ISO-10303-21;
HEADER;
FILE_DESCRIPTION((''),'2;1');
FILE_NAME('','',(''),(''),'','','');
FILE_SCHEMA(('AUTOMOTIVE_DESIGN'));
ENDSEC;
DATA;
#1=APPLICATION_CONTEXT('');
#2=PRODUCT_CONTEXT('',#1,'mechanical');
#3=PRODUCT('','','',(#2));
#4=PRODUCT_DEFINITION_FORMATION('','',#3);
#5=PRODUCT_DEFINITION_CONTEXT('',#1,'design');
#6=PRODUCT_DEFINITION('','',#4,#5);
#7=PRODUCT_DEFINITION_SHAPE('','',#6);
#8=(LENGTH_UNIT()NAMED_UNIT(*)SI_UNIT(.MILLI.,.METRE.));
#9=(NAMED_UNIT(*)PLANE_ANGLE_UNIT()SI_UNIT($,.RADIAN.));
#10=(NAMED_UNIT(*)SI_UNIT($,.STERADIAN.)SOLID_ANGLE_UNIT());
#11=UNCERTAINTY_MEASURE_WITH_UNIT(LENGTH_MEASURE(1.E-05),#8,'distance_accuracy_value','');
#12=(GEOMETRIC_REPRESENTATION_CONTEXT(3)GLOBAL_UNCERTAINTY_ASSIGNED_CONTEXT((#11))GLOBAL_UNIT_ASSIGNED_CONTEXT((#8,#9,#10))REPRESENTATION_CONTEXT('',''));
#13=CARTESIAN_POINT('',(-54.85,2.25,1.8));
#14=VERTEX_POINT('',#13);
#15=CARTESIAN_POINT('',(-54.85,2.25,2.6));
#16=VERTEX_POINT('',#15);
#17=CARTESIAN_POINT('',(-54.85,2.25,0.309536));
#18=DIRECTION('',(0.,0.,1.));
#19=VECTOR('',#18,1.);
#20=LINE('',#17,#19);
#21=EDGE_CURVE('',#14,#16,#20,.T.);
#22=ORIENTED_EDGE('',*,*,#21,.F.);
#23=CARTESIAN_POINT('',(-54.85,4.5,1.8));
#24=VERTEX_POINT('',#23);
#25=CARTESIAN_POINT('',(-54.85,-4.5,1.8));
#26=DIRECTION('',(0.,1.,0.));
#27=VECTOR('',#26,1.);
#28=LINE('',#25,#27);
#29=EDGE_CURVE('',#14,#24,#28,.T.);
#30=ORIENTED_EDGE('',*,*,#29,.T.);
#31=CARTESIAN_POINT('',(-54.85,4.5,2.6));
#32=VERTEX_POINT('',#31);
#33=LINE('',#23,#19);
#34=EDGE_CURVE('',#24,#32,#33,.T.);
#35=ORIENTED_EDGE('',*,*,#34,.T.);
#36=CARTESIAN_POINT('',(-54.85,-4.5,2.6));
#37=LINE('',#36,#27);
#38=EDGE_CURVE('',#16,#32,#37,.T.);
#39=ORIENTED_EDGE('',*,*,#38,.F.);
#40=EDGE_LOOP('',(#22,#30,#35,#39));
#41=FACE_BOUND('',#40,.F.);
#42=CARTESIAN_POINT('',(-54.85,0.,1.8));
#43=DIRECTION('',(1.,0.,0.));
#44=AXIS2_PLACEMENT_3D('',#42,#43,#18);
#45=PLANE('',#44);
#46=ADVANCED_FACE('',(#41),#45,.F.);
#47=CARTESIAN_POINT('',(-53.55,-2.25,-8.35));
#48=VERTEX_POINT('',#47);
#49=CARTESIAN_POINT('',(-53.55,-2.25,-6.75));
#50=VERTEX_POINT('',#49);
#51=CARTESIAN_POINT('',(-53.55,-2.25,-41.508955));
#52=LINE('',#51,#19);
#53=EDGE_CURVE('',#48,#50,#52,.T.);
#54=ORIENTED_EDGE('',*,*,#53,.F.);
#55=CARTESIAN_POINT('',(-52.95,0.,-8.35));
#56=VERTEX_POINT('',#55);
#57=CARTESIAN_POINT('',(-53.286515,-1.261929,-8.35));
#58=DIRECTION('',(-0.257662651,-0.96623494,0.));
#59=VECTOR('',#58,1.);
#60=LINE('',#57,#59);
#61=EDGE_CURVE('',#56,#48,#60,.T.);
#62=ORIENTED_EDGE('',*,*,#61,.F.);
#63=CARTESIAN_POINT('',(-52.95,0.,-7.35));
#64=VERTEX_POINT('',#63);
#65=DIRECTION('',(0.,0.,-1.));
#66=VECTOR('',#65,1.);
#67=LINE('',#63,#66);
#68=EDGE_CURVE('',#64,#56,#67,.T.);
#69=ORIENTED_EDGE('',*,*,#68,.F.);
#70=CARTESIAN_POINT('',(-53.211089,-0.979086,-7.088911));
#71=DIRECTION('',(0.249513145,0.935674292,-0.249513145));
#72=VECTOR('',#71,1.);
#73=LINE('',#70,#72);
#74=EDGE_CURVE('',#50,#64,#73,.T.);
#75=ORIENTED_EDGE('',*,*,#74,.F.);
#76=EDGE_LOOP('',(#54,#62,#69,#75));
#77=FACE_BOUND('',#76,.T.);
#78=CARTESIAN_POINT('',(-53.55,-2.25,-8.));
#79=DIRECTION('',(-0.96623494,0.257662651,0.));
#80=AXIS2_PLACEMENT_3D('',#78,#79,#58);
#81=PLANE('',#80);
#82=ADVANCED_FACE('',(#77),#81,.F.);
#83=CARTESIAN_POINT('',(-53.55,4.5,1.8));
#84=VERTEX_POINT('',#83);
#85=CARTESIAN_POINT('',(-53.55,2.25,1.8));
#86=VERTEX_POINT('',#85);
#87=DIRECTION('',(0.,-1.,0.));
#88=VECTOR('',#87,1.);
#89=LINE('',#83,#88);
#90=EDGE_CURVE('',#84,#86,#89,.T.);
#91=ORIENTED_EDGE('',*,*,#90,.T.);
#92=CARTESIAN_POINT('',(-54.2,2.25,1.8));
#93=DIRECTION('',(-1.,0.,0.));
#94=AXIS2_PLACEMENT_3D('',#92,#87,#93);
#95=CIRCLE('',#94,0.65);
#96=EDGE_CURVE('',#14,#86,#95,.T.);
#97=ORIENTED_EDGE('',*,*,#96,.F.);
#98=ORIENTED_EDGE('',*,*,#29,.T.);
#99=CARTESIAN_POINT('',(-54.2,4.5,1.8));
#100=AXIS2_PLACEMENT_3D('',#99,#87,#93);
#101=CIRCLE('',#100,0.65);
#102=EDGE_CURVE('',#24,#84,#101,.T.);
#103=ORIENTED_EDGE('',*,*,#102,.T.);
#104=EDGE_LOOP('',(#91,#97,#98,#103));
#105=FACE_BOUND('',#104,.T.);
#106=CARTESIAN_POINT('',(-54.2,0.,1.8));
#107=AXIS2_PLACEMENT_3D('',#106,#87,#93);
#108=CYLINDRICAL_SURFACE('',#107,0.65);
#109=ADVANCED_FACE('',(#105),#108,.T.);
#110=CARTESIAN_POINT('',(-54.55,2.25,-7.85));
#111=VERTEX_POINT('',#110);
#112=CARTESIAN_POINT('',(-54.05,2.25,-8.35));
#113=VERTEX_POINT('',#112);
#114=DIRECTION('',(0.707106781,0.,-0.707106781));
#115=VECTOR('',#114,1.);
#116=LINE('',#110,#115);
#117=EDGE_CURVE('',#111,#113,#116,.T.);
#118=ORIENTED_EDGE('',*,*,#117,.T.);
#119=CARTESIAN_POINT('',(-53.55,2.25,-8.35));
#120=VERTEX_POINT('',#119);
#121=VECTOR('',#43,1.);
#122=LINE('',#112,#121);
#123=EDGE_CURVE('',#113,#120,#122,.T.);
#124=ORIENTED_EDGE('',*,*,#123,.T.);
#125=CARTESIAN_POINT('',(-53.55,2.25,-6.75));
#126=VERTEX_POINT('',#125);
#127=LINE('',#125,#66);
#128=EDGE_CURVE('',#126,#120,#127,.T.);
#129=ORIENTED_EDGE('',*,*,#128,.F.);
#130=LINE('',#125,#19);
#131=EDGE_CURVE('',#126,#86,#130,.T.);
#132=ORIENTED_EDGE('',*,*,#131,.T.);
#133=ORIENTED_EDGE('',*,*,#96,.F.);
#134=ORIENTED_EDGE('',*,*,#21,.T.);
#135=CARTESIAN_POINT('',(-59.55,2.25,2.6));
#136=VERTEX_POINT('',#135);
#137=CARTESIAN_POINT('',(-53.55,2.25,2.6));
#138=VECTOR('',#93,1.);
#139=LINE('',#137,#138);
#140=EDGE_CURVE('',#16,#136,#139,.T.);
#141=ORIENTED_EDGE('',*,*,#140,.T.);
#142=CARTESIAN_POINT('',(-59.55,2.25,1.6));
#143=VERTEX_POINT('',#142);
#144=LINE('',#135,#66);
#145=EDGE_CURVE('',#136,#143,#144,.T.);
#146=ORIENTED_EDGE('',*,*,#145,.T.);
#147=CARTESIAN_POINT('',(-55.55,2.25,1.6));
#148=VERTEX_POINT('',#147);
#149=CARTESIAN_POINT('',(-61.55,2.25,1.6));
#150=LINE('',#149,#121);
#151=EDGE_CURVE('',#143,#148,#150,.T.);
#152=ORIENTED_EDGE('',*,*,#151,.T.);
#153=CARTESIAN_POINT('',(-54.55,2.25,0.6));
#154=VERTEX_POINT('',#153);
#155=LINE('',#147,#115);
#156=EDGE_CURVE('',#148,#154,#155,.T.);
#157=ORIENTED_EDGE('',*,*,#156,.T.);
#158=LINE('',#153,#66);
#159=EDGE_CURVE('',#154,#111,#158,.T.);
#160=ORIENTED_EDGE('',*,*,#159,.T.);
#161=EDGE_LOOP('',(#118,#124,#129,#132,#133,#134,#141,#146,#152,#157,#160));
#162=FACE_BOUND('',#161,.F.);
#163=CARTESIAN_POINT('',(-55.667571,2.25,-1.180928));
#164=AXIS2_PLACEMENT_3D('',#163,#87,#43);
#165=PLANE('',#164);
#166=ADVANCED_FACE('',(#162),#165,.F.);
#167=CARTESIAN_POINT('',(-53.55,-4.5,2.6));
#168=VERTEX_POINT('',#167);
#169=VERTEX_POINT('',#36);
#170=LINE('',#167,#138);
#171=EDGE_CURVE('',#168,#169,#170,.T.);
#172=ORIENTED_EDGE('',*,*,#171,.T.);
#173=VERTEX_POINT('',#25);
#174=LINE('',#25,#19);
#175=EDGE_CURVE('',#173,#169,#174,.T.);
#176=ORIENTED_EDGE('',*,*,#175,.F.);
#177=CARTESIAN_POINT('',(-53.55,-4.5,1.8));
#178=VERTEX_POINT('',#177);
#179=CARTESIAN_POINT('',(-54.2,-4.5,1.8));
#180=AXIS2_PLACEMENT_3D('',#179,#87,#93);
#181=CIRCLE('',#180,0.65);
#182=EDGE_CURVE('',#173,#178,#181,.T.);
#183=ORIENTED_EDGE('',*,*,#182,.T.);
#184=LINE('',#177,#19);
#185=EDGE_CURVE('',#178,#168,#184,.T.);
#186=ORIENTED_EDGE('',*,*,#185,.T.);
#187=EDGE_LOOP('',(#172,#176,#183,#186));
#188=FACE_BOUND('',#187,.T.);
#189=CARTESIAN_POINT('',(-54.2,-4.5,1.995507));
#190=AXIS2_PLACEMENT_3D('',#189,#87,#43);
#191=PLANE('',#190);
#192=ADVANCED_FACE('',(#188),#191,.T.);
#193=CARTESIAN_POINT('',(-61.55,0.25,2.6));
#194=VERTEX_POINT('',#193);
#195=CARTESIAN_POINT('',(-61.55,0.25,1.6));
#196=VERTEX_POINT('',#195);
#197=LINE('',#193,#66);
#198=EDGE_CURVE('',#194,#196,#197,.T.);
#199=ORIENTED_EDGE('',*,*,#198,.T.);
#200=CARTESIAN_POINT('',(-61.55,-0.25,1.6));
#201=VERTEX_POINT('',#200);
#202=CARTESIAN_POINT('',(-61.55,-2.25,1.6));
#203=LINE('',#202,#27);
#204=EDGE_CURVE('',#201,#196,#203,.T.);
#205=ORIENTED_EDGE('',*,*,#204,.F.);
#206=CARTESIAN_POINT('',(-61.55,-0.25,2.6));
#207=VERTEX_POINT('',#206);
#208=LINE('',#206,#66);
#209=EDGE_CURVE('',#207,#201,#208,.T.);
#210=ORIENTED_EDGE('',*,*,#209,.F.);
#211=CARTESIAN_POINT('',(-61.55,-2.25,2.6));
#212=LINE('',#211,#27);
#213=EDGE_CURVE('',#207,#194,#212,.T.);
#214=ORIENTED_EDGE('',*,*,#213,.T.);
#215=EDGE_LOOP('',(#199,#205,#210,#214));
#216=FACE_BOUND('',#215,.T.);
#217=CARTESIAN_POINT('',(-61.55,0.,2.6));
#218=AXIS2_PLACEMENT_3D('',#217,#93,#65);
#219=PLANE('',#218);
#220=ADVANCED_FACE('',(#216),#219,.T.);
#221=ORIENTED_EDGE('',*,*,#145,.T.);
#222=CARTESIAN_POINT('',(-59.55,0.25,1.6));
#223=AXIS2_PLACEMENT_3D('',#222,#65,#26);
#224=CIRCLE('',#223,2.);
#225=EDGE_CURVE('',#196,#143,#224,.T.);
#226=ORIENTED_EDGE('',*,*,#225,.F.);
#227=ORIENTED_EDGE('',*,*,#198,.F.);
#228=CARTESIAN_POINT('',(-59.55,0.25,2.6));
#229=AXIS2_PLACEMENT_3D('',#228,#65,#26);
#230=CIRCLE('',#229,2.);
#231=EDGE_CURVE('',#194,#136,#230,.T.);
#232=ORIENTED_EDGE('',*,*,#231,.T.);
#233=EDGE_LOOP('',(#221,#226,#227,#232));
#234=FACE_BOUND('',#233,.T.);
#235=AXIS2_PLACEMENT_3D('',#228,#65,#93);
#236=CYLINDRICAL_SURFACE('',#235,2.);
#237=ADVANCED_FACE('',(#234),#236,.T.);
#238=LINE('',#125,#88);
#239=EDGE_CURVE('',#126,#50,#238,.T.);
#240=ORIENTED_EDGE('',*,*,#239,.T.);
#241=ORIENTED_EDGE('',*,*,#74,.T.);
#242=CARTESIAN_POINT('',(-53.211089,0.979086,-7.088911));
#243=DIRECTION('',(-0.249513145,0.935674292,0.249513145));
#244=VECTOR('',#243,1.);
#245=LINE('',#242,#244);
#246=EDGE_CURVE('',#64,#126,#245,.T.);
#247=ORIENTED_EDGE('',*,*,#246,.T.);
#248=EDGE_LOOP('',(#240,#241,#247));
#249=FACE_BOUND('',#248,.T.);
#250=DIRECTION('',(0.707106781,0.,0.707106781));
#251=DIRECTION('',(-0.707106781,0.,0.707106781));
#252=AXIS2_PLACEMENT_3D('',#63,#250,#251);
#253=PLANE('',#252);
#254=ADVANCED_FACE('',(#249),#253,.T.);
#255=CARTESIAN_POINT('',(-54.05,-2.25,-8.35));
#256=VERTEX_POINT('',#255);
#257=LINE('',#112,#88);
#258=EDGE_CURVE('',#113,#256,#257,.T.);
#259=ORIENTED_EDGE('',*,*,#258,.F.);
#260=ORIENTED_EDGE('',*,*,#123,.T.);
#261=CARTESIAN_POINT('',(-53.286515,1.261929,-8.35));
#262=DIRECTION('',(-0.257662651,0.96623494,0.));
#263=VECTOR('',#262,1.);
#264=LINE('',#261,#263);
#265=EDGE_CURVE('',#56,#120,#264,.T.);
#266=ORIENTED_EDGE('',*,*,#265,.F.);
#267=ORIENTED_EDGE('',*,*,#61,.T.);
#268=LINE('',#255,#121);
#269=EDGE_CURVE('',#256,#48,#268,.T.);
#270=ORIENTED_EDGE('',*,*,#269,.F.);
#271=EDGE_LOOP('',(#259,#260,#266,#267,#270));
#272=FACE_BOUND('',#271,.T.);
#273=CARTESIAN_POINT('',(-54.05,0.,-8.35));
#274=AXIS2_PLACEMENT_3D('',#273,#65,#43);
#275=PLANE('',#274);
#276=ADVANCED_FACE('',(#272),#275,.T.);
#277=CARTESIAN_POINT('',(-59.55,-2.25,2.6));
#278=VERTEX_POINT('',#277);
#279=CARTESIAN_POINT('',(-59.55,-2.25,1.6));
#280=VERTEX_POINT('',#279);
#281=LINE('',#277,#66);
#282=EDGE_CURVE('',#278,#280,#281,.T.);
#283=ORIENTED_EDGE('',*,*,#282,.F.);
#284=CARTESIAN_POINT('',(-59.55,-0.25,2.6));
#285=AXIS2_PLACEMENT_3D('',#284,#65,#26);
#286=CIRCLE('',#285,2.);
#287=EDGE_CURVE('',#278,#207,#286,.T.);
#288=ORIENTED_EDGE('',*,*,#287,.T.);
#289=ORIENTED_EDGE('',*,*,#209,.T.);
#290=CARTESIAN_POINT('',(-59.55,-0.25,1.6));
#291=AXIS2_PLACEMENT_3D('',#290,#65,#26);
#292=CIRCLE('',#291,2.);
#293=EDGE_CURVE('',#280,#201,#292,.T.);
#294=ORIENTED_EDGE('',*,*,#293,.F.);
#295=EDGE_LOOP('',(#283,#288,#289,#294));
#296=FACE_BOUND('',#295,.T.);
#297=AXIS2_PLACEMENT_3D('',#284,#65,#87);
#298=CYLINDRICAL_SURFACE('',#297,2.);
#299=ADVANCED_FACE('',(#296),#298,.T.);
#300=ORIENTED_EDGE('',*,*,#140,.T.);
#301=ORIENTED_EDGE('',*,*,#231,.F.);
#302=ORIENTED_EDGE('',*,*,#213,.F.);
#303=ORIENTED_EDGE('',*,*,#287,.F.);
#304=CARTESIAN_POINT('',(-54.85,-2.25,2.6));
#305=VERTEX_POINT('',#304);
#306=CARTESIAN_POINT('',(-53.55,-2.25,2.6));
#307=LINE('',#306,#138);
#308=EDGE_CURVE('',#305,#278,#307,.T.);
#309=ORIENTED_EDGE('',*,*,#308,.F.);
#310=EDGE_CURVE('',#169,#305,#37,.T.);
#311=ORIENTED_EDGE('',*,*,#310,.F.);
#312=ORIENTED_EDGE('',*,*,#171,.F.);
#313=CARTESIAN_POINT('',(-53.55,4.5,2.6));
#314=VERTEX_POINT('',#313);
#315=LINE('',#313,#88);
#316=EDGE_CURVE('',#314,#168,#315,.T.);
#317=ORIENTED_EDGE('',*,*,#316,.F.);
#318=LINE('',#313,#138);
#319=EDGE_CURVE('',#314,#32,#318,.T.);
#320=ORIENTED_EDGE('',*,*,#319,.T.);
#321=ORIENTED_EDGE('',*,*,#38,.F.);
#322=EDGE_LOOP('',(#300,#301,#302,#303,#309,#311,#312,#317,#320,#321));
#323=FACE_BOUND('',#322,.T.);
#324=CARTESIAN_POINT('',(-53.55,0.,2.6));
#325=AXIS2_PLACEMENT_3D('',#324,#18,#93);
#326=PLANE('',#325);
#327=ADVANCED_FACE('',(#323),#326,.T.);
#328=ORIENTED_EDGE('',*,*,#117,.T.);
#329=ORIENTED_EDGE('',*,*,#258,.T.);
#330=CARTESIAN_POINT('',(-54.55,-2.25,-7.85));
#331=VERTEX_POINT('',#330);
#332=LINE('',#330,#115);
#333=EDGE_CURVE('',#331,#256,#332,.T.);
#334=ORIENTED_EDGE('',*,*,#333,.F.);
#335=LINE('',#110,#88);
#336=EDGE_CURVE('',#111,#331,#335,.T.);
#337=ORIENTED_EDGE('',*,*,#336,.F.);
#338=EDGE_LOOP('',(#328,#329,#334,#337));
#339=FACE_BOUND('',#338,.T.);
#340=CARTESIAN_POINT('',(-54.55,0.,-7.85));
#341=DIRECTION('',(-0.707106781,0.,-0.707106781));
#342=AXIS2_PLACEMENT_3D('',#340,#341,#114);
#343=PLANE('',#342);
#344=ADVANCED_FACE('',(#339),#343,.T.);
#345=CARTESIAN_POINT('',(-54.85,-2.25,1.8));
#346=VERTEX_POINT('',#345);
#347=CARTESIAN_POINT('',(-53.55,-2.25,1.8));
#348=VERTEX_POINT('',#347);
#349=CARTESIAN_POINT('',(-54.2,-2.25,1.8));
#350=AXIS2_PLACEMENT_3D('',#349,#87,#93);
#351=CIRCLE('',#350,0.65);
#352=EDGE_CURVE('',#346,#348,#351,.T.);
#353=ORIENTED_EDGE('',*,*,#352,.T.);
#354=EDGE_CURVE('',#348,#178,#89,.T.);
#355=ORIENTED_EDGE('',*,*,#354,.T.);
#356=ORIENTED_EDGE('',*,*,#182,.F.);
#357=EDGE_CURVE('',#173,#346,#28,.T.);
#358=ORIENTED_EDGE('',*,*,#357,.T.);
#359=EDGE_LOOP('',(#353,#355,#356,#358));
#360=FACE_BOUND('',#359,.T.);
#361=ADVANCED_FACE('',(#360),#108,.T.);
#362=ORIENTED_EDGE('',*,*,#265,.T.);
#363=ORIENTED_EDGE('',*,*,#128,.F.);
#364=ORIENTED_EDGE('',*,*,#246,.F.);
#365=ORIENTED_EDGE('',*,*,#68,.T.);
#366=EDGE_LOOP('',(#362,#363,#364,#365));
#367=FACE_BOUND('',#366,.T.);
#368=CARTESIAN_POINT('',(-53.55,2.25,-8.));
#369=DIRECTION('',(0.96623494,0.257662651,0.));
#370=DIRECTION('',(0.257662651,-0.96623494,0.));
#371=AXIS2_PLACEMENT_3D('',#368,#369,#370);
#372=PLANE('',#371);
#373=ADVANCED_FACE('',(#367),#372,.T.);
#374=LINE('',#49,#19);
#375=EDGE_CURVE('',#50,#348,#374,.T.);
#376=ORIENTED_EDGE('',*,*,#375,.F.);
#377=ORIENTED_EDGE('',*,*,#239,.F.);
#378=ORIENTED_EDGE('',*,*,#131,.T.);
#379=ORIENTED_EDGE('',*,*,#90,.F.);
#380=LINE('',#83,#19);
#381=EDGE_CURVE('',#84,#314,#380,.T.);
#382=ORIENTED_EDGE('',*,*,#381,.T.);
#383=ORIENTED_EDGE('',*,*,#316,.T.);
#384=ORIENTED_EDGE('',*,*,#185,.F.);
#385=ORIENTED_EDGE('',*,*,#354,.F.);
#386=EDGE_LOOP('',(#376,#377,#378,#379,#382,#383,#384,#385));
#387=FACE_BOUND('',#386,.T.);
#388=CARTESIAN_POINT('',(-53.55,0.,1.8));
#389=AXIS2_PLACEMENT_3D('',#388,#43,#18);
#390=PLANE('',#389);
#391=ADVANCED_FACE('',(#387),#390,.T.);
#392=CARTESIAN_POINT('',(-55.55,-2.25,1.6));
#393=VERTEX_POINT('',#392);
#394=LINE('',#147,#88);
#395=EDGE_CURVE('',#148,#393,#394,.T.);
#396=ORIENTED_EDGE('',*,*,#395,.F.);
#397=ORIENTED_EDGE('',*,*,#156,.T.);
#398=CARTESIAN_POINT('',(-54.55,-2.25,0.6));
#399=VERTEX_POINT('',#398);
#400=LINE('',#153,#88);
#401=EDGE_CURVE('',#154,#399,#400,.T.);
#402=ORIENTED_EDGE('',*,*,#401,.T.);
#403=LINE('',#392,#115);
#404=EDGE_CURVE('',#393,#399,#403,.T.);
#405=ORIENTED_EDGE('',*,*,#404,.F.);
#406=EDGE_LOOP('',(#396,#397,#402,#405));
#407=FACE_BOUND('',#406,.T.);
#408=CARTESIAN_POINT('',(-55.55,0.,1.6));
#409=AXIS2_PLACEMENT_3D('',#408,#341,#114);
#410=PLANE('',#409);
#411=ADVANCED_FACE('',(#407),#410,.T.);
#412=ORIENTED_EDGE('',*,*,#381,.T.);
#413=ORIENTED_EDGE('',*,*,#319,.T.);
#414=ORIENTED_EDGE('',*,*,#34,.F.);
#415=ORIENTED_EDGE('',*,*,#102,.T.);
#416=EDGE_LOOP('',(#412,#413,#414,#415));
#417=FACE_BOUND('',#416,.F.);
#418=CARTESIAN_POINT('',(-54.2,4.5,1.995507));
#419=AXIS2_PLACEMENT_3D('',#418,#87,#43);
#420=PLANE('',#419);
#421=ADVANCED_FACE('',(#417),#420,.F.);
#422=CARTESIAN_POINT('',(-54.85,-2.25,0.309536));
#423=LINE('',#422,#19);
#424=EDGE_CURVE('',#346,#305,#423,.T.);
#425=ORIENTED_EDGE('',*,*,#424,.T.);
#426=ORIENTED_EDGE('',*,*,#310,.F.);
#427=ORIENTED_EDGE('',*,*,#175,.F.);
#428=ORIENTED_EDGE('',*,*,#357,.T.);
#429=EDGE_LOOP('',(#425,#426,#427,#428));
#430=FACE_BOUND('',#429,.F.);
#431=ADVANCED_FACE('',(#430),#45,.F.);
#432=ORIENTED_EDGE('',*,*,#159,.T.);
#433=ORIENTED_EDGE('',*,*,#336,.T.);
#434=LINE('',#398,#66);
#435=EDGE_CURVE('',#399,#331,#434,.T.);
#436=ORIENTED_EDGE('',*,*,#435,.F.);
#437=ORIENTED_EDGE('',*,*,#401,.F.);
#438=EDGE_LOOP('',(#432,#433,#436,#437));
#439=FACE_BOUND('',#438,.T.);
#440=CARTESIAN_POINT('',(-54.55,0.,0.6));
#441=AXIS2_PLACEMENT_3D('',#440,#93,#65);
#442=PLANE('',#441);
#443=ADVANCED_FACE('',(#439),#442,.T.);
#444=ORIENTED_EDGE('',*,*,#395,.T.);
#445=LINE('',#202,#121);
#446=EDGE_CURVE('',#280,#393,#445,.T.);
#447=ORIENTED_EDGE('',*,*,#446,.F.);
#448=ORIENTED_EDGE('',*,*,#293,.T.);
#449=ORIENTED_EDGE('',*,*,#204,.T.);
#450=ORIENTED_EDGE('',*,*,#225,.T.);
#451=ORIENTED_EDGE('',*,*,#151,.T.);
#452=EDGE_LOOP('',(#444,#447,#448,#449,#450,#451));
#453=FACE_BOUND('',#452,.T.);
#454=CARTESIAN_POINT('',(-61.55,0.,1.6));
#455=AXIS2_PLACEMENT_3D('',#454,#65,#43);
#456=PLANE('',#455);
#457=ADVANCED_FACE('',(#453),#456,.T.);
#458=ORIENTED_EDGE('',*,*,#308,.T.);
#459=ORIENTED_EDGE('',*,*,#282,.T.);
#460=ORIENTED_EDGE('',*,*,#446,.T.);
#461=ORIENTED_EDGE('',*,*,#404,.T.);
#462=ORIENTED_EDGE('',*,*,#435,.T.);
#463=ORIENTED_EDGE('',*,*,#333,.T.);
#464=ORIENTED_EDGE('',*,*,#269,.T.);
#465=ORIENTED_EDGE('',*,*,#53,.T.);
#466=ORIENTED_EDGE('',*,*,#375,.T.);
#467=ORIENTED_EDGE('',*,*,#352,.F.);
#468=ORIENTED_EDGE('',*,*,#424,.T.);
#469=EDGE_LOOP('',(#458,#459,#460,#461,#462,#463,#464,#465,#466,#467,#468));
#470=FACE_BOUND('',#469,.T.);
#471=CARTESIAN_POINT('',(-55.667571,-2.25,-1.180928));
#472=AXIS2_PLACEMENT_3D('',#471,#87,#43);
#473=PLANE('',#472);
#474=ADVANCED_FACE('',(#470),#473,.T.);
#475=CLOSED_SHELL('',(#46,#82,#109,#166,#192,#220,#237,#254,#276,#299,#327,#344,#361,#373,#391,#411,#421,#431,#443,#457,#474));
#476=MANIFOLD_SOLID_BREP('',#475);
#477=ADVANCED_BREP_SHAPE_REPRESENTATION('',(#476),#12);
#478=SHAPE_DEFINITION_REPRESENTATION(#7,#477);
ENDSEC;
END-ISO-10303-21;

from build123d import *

# Parameters (mm, degrees)
PAD003_DEPTH         = 2.25
PAD004_DEPTH         = 4.5
POCKET013_DEPTH      = 33.508955
POCKET013_DEPTH_BACK = 43.758955
FILLET_R             = 2


with BuildPart() as part:
    # Sketch027 → Pad003 (new body, symmetric)
    with BuildSketch(Plane.XZ):
        Polygon((-61.55, 1.6), (-55.55, 1.6), (-54.55, 0.6), (-54.55, -7.85), (-54.05, -8.35), (-52.95, -8.35), (-52.95, -7.35), (-53.55, -6.75), (-53.55, 2.6), (-61.55, 2.6), align=None)
    extrude(amount=PAD003_DEPTH, both=True)

    # Sketch028 → Pad004 (join, symmetric)
    with BuildSketch(Plane.XZ):
        with BuildLine():
            ThreePointArc((-54.85, 1.8), (-54.2, 1.15), (-53.55, 1.8))
            Line((-53.55, 1.8), (-53.55, 2.6))
            Line((-53.55, 2.6), (-54.85, 2.6))
            Line((-54.85, 1.8), (-54.85, 2.6))
        make_face()
    extrude(amount=PAD004_DEPTH, both=True)

    # Sketch029 (on DatumPlane) → Pocket013 (cut, two sides)
    with BuildSketch(Plane.XY.offset(-8)) as pocket013_sk:
        Polygon((-52.95, 2.25), (-53.55, 2.25), (-52.95, 0), align=None)
    pocket013 = extrude(amount=-POCKET013_DEPTH, mode=Mode.SUBTRACT) + extrude(pocket013_sk.sketch, amount=POCKET013_DEPTH_BACK, mode=Mode.SUBTRACT)

    # Mirrored001: Pocket013 across XZ
    add(pocket013.mirror(Plane.XZ), mode=Mode.SUBTRACT)

    # Fillet
    fillet_edges = [part.edges().sort_by_distance(p)[0] for p in [
        (-61.55, 2.25, 2.1),
        (-61.55, -2.25, 2.1),
    ]]
    fillet(fillet_edges, radius=FILLET_R)


solid = part.part
